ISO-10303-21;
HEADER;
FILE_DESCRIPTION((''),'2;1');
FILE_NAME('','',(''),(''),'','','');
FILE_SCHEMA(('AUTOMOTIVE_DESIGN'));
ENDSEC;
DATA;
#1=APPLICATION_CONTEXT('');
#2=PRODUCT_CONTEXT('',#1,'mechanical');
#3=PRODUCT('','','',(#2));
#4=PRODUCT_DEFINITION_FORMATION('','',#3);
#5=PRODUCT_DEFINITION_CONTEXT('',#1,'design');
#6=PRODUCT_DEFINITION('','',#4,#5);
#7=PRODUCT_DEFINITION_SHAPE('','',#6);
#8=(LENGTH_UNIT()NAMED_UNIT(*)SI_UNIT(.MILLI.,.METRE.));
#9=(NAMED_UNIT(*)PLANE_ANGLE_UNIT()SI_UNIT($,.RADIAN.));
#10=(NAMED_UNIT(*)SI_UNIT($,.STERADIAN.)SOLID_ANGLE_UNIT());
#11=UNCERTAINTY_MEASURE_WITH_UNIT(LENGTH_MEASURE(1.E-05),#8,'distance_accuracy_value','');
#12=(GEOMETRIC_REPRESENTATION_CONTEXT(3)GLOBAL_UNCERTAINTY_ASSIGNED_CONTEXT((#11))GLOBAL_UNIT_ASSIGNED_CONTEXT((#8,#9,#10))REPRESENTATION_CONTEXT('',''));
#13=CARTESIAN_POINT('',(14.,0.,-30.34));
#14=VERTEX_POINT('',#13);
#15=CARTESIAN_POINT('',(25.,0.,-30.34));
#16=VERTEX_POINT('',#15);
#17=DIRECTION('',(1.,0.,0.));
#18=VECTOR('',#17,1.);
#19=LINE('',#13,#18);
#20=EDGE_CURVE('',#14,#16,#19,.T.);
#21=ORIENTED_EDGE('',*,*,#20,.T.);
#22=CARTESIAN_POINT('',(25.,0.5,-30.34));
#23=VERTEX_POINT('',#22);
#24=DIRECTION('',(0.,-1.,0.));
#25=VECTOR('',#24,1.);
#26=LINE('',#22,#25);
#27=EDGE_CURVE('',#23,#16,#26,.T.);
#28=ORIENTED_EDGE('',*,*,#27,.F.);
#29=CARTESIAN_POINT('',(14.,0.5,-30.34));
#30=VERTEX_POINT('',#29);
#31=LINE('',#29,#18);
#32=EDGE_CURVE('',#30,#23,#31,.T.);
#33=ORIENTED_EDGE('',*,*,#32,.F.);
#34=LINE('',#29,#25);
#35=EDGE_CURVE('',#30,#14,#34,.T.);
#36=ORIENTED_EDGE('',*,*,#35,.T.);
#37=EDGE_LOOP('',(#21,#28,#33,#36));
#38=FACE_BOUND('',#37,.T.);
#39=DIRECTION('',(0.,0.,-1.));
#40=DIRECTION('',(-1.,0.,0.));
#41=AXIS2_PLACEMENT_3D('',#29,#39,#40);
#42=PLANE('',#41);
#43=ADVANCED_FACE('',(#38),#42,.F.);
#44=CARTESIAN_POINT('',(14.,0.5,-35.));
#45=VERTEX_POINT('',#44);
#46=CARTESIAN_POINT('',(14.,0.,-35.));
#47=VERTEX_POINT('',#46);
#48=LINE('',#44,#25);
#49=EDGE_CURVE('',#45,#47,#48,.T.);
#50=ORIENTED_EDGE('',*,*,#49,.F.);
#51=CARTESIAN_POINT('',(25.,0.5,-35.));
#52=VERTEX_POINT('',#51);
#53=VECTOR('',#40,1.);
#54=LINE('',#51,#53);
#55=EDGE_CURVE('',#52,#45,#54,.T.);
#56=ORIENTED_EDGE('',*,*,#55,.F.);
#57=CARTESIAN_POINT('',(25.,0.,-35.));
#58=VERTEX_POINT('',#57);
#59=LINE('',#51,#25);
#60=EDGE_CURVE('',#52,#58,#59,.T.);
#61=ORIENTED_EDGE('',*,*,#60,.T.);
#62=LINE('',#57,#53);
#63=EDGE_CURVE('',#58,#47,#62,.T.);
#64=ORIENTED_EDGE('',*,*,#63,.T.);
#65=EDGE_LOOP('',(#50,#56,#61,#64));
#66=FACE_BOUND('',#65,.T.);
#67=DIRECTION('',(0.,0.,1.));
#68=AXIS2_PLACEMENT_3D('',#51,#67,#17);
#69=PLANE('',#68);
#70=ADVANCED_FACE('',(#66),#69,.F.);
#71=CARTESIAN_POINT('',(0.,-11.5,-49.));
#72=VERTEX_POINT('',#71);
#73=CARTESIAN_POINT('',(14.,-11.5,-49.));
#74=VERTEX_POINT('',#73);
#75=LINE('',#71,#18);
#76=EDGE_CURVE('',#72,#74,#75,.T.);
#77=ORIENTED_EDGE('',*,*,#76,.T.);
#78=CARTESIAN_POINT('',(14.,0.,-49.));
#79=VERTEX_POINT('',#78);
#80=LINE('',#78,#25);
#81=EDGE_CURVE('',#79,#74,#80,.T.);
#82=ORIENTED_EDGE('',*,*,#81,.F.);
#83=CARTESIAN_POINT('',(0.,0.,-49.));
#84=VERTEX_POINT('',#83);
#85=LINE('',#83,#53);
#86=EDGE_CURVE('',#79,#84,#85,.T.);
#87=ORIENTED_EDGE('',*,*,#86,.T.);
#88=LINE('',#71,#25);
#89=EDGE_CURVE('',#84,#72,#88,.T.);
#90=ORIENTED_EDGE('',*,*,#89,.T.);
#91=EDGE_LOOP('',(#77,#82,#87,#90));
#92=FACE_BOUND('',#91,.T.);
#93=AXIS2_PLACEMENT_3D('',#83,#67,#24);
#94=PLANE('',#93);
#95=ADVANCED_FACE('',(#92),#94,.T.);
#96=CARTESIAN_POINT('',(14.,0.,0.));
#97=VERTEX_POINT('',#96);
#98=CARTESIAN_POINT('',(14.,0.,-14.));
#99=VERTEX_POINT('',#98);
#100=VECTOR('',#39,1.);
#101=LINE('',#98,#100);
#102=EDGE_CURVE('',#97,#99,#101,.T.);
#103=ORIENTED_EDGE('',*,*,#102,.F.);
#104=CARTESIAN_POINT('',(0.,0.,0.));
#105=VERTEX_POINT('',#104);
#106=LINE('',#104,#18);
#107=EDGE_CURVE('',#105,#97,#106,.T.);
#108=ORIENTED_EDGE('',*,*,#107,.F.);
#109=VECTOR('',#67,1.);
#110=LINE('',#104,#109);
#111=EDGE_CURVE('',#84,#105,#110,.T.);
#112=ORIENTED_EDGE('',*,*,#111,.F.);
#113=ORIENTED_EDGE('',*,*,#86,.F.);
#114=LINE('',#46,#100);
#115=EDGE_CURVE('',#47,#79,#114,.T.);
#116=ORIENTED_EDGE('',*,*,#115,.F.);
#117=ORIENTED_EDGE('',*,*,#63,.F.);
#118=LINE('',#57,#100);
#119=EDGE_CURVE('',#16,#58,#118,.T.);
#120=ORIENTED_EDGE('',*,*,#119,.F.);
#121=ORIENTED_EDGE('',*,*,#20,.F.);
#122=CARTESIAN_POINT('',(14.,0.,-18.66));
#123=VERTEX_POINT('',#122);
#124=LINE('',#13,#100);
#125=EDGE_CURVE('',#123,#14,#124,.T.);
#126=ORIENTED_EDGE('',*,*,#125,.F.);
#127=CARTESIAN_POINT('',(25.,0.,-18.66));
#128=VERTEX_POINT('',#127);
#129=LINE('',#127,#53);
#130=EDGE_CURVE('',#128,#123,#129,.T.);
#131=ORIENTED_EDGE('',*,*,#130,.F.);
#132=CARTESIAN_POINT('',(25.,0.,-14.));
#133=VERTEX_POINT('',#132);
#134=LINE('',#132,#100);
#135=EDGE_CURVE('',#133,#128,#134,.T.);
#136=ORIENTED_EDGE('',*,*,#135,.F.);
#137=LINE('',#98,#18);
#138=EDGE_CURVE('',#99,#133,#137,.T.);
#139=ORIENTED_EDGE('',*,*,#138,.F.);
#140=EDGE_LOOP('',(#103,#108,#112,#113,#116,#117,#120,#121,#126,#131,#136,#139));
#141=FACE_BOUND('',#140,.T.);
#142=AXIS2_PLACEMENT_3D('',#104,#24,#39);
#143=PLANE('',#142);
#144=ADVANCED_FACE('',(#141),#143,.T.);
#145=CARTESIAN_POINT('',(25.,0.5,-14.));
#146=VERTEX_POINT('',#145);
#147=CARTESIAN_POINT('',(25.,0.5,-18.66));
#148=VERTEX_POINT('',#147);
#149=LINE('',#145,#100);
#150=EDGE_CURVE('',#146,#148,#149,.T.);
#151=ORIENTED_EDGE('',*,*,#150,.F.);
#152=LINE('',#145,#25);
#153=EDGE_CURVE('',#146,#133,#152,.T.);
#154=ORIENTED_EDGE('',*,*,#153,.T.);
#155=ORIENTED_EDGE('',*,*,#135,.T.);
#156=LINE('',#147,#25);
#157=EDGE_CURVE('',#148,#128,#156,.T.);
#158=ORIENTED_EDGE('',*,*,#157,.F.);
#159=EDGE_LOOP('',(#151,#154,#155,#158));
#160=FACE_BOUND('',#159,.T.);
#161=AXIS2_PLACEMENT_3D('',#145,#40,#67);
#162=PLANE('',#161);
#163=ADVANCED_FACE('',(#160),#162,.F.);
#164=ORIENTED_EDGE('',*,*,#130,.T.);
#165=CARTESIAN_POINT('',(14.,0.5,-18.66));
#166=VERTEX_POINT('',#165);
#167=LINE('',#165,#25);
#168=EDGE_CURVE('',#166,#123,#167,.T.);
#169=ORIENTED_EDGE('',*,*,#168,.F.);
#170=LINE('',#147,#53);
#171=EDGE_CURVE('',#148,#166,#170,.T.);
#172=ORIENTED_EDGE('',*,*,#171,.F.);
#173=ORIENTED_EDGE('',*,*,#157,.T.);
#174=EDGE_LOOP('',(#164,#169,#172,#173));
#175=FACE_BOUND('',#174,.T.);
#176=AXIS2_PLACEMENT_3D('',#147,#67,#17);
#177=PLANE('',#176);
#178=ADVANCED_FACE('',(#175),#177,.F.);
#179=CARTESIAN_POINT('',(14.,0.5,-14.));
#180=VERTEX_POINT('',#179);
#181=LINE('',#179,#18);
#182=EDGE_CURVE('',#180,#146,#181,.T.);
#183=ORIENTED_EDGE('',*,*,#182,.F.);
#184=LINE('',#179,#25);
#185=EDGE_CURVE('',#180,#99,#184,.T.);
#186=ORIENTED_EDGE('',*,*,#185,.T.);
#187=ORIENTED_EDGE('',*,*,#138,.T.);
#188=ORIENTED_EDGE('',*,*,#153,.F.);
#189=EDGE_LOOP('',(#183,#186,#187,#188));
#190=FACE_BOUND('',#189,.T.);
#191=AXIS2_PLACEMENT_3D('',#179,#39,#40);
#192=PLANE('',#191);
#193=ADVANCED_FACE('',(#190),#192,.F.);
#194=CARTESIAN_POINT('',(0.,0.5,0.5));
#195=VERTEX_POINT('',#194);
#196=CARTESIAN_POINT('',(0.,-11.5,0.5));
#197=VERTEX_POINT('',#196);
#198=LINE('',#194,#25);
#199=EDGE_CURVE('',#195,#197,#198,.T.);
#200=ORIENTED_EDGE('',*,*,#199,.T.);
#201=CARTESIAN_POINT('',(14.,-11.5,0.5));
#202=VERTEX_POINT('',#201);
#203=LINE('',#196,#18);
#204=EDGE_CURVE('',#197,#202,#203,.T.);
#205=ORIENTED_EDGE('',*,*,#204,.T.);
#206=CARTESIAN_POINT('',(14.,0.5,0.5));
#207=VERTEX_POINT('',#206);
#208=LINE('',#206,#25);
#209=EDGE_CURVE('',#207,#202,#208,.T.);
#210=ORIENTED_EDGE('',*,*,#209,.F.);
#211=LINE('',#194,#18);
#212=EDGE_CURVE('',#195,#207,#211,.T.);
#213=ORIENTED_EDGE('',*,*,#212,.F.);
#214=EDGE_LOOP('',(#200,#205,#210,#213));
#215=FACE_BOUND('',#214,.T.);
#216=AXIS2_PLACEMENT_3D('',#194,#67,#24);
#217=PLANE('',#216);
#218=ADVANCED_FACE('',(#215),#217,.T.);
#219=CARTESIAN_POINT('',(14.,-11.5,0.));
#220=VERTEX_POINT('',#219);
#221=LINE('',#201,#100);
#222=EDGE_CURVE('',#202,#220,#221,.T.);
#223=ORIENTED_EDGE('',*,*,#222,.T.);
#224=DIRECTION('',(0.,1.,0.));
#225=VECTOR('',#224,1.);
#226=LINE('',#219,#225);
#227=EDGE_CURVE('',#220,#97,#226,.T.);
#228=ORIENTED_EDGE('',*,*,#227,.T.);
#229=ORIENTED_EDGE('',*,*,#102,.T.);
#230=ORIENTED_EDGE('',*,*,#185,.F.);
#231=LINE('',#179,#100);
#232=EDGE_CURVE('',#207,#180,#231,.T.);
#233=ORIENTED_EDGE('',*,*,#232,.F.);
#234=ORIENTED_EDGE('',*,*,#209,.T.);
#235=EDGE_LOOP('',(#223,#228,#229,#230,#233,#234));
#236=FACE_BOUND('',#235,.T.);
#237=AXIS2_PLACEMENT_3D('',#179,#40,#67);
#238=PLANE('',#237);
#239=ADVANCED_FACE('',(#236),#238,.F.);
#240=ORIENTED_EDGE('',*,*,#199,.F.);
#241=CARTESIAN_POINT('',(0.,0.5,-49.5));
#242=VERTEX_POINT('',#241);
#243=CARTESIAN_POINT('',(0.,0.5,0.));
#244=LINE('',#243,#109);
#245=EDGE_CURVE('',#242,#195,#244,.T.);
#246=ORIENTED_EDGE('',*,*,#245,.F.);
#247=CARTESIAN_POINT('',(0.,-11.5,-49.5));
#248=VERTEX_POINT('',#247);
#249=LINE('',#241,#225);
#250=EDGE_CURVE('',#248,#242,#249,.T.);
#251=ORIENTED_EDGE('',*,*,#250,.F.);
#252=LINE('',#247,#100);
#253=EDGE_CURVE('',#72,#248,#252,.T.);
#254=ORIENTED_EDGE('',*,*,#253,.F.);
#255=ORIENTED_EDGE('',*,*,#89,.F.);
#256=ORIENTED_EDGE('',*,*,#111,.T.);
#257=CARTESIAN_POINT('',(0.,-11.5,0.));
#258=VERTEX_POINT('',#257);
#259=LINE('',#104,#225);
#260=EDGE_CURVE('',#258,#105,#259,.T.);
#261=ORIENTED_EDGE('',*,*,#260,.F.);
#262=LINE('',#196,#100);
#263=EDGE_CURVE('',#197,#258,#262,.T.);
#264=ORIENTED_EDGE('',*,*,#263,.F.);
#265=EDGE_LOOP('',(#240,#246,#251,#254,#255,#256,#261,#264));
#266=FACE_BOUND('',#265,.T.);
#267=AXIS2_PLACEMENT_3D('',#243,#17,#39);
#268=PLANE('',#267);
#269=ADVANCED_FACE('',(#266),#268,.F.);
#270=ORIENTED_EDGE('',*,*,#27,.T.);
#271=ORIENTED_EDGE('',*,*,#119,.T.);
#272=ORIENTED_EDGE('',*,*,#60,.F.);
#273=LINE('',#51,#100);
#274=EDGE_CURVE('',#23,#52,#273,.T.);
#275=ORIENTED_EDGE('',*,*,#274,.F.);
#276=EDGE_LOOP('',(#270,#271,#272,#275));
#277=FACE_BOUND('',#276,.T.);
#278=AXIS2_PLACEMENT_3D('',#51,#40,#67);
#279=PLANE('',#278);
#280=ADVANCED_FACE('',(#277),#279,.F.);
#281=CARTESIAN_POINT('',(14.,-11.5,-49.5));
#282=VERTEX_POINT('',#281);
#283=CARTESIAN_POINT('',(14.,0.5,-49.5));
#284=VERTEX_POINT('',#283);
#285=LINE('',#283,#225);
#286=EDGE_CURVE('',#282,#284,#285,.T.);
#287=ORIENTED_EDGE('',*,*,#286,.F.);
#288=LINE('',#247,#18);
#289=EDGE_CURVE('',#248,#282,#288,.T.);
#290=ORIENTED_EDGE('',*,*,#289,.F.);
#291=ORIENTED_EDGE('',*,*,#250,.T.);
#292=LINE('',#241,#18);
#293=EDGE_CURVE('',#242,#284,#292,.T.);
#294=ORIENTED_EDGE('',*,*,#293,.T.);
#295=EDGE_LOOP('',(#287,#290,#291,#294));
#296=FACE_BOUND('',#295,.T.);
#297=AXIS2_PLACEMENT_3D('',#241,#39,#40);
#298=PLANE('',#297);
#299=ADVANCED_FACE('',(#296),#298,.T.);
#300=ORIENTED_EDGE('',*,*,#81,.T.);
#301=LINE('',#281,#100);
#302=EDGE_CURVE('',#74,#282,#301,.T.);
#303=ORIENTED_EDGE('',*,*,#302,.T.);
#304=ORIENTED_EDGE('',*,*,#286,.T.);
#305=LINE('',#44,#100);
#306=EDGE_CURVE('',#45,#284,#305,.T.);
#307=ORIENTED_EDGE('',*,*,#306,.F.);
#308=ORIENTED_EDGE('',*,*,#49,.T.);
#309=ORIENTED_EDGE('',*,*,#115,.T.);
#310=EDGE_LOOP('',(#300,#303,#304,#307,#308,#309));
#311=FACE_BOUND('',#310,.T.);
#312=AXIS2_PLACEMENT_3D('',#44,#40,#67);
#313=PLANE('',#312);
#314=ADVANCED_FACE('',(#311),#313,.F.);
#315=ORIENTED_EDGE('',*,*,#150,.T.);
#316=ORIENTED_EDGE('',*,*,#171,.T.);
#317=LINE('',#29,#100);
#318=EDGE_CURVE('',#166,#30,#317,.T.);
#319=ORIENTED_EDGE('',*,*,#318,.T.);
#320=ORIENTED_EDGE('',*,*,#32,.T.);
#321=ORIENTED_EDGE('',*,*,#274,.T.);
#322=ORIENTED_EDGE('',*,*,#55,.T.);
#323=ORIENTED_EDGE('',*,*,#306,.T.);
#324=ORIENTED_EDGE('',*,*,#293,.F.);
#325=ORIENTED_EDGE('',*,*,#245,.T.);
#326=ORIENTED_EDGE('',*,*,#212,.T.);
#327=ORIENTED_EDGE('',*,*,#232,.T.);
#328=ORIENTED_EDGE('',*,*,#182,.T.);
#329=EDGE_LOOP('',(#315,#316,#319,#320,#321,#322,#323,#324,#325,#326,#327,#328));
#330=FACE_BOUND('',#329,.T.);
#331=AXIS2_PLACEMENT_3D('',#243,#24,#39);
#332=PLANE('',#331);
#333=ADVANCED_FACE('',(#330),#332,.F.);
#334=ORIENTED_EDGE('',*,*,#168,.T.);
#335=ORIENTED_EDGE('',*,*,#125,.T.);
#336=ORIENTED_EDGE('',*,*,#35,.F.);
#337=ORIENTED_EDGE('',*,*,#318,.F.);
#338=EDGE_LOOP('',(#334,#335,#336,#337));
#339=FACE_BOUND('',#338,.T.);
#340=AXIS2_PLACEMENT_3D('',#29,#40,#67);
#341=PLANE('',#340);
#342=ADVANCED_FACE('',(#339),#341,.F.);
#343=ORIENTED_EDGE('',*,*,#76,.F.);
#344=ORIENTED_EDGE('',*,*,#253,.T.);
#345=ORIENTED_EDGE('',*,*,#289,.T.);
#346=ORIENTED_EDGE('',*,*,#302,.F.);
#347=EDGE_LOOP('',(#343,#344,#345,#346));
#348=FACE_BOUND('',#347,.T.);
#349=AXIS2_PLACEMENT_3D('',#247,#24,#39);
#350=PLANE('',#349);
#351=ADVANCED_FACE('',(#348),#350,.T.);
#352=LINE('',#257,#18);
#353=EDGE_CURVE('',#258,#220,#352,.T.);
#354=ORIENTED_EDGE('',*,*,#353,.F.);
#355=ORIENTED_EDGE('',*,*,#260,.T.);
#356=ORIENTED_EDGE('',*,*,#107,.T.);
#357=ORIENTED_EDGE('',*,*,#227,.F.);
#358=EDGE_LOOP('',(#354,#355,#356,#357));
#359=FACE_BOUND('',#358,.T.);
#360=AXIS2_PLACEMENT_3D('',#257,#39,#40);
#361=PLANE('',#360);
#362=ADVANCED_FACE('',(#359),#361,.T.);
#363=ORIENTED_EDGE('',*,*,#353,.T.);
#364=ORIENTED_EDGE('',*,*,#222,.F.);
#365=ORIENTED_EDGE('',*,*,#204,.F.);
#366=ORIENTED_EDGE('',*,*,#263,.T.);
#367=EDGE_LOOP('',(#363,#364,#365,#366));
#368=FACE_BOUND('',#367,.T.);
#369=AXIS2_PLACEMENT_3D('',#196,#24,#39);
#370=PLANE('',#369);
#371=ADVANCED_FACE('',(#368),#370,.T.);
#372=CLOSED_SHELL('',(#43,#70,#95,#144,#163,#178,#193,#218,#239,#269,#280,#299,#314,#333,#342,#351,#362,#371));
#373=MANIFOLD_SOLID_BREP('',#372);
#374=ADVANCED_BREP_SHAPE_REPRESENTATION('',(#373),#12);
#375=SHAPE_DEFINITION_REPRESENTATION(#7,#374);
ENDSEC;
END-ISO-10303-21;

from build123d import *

# Parameters (mm, degrees)
SALIENTE_EXTRUIR1_DEPTH = 0.5
SALIENTE_EXTRUIR2_DEPTH = 14


with BuildPart() as part:
    # Croquis1 → Saliente-Extruir1 (new body)
    with BuildSketch(Plane(origin=(0, 0, 0), x_dir=(1, 0, 0), z_dir=(0, 1, 0))):
        Polygon((0, 0), (14, 0), (14, 14), (25, 14), (25, 18.66), (14, 18.66), (14, 30.34), (25, 30.34), (25, 35), (14, 35), (14, 49), (0, 49), align=None)
    extrude(amount=SALIENTE_EXTRUIR1_DEPTH)

    # Croquis2 → Saliente-Extruir2 (add, through all)
    with BuildSketch(Plane(origin=(14, 0, 0), x_dir=(0, 0, -1), z_dir=(1, 0, 0))):
        Polygon((0, 0.5), (-0.5, 0.5), (-0.5, -11.5), (0, -11.5), (0, 0), align=None)
        Polygon((49.5, 0.5), (49.5, -11.5), (49, -11.5), (49, 0), (49, 0.5), align=None)
    extrude(amount=-SALIENTE_EXTRUIR2_DEPTH)


solid = part.part
